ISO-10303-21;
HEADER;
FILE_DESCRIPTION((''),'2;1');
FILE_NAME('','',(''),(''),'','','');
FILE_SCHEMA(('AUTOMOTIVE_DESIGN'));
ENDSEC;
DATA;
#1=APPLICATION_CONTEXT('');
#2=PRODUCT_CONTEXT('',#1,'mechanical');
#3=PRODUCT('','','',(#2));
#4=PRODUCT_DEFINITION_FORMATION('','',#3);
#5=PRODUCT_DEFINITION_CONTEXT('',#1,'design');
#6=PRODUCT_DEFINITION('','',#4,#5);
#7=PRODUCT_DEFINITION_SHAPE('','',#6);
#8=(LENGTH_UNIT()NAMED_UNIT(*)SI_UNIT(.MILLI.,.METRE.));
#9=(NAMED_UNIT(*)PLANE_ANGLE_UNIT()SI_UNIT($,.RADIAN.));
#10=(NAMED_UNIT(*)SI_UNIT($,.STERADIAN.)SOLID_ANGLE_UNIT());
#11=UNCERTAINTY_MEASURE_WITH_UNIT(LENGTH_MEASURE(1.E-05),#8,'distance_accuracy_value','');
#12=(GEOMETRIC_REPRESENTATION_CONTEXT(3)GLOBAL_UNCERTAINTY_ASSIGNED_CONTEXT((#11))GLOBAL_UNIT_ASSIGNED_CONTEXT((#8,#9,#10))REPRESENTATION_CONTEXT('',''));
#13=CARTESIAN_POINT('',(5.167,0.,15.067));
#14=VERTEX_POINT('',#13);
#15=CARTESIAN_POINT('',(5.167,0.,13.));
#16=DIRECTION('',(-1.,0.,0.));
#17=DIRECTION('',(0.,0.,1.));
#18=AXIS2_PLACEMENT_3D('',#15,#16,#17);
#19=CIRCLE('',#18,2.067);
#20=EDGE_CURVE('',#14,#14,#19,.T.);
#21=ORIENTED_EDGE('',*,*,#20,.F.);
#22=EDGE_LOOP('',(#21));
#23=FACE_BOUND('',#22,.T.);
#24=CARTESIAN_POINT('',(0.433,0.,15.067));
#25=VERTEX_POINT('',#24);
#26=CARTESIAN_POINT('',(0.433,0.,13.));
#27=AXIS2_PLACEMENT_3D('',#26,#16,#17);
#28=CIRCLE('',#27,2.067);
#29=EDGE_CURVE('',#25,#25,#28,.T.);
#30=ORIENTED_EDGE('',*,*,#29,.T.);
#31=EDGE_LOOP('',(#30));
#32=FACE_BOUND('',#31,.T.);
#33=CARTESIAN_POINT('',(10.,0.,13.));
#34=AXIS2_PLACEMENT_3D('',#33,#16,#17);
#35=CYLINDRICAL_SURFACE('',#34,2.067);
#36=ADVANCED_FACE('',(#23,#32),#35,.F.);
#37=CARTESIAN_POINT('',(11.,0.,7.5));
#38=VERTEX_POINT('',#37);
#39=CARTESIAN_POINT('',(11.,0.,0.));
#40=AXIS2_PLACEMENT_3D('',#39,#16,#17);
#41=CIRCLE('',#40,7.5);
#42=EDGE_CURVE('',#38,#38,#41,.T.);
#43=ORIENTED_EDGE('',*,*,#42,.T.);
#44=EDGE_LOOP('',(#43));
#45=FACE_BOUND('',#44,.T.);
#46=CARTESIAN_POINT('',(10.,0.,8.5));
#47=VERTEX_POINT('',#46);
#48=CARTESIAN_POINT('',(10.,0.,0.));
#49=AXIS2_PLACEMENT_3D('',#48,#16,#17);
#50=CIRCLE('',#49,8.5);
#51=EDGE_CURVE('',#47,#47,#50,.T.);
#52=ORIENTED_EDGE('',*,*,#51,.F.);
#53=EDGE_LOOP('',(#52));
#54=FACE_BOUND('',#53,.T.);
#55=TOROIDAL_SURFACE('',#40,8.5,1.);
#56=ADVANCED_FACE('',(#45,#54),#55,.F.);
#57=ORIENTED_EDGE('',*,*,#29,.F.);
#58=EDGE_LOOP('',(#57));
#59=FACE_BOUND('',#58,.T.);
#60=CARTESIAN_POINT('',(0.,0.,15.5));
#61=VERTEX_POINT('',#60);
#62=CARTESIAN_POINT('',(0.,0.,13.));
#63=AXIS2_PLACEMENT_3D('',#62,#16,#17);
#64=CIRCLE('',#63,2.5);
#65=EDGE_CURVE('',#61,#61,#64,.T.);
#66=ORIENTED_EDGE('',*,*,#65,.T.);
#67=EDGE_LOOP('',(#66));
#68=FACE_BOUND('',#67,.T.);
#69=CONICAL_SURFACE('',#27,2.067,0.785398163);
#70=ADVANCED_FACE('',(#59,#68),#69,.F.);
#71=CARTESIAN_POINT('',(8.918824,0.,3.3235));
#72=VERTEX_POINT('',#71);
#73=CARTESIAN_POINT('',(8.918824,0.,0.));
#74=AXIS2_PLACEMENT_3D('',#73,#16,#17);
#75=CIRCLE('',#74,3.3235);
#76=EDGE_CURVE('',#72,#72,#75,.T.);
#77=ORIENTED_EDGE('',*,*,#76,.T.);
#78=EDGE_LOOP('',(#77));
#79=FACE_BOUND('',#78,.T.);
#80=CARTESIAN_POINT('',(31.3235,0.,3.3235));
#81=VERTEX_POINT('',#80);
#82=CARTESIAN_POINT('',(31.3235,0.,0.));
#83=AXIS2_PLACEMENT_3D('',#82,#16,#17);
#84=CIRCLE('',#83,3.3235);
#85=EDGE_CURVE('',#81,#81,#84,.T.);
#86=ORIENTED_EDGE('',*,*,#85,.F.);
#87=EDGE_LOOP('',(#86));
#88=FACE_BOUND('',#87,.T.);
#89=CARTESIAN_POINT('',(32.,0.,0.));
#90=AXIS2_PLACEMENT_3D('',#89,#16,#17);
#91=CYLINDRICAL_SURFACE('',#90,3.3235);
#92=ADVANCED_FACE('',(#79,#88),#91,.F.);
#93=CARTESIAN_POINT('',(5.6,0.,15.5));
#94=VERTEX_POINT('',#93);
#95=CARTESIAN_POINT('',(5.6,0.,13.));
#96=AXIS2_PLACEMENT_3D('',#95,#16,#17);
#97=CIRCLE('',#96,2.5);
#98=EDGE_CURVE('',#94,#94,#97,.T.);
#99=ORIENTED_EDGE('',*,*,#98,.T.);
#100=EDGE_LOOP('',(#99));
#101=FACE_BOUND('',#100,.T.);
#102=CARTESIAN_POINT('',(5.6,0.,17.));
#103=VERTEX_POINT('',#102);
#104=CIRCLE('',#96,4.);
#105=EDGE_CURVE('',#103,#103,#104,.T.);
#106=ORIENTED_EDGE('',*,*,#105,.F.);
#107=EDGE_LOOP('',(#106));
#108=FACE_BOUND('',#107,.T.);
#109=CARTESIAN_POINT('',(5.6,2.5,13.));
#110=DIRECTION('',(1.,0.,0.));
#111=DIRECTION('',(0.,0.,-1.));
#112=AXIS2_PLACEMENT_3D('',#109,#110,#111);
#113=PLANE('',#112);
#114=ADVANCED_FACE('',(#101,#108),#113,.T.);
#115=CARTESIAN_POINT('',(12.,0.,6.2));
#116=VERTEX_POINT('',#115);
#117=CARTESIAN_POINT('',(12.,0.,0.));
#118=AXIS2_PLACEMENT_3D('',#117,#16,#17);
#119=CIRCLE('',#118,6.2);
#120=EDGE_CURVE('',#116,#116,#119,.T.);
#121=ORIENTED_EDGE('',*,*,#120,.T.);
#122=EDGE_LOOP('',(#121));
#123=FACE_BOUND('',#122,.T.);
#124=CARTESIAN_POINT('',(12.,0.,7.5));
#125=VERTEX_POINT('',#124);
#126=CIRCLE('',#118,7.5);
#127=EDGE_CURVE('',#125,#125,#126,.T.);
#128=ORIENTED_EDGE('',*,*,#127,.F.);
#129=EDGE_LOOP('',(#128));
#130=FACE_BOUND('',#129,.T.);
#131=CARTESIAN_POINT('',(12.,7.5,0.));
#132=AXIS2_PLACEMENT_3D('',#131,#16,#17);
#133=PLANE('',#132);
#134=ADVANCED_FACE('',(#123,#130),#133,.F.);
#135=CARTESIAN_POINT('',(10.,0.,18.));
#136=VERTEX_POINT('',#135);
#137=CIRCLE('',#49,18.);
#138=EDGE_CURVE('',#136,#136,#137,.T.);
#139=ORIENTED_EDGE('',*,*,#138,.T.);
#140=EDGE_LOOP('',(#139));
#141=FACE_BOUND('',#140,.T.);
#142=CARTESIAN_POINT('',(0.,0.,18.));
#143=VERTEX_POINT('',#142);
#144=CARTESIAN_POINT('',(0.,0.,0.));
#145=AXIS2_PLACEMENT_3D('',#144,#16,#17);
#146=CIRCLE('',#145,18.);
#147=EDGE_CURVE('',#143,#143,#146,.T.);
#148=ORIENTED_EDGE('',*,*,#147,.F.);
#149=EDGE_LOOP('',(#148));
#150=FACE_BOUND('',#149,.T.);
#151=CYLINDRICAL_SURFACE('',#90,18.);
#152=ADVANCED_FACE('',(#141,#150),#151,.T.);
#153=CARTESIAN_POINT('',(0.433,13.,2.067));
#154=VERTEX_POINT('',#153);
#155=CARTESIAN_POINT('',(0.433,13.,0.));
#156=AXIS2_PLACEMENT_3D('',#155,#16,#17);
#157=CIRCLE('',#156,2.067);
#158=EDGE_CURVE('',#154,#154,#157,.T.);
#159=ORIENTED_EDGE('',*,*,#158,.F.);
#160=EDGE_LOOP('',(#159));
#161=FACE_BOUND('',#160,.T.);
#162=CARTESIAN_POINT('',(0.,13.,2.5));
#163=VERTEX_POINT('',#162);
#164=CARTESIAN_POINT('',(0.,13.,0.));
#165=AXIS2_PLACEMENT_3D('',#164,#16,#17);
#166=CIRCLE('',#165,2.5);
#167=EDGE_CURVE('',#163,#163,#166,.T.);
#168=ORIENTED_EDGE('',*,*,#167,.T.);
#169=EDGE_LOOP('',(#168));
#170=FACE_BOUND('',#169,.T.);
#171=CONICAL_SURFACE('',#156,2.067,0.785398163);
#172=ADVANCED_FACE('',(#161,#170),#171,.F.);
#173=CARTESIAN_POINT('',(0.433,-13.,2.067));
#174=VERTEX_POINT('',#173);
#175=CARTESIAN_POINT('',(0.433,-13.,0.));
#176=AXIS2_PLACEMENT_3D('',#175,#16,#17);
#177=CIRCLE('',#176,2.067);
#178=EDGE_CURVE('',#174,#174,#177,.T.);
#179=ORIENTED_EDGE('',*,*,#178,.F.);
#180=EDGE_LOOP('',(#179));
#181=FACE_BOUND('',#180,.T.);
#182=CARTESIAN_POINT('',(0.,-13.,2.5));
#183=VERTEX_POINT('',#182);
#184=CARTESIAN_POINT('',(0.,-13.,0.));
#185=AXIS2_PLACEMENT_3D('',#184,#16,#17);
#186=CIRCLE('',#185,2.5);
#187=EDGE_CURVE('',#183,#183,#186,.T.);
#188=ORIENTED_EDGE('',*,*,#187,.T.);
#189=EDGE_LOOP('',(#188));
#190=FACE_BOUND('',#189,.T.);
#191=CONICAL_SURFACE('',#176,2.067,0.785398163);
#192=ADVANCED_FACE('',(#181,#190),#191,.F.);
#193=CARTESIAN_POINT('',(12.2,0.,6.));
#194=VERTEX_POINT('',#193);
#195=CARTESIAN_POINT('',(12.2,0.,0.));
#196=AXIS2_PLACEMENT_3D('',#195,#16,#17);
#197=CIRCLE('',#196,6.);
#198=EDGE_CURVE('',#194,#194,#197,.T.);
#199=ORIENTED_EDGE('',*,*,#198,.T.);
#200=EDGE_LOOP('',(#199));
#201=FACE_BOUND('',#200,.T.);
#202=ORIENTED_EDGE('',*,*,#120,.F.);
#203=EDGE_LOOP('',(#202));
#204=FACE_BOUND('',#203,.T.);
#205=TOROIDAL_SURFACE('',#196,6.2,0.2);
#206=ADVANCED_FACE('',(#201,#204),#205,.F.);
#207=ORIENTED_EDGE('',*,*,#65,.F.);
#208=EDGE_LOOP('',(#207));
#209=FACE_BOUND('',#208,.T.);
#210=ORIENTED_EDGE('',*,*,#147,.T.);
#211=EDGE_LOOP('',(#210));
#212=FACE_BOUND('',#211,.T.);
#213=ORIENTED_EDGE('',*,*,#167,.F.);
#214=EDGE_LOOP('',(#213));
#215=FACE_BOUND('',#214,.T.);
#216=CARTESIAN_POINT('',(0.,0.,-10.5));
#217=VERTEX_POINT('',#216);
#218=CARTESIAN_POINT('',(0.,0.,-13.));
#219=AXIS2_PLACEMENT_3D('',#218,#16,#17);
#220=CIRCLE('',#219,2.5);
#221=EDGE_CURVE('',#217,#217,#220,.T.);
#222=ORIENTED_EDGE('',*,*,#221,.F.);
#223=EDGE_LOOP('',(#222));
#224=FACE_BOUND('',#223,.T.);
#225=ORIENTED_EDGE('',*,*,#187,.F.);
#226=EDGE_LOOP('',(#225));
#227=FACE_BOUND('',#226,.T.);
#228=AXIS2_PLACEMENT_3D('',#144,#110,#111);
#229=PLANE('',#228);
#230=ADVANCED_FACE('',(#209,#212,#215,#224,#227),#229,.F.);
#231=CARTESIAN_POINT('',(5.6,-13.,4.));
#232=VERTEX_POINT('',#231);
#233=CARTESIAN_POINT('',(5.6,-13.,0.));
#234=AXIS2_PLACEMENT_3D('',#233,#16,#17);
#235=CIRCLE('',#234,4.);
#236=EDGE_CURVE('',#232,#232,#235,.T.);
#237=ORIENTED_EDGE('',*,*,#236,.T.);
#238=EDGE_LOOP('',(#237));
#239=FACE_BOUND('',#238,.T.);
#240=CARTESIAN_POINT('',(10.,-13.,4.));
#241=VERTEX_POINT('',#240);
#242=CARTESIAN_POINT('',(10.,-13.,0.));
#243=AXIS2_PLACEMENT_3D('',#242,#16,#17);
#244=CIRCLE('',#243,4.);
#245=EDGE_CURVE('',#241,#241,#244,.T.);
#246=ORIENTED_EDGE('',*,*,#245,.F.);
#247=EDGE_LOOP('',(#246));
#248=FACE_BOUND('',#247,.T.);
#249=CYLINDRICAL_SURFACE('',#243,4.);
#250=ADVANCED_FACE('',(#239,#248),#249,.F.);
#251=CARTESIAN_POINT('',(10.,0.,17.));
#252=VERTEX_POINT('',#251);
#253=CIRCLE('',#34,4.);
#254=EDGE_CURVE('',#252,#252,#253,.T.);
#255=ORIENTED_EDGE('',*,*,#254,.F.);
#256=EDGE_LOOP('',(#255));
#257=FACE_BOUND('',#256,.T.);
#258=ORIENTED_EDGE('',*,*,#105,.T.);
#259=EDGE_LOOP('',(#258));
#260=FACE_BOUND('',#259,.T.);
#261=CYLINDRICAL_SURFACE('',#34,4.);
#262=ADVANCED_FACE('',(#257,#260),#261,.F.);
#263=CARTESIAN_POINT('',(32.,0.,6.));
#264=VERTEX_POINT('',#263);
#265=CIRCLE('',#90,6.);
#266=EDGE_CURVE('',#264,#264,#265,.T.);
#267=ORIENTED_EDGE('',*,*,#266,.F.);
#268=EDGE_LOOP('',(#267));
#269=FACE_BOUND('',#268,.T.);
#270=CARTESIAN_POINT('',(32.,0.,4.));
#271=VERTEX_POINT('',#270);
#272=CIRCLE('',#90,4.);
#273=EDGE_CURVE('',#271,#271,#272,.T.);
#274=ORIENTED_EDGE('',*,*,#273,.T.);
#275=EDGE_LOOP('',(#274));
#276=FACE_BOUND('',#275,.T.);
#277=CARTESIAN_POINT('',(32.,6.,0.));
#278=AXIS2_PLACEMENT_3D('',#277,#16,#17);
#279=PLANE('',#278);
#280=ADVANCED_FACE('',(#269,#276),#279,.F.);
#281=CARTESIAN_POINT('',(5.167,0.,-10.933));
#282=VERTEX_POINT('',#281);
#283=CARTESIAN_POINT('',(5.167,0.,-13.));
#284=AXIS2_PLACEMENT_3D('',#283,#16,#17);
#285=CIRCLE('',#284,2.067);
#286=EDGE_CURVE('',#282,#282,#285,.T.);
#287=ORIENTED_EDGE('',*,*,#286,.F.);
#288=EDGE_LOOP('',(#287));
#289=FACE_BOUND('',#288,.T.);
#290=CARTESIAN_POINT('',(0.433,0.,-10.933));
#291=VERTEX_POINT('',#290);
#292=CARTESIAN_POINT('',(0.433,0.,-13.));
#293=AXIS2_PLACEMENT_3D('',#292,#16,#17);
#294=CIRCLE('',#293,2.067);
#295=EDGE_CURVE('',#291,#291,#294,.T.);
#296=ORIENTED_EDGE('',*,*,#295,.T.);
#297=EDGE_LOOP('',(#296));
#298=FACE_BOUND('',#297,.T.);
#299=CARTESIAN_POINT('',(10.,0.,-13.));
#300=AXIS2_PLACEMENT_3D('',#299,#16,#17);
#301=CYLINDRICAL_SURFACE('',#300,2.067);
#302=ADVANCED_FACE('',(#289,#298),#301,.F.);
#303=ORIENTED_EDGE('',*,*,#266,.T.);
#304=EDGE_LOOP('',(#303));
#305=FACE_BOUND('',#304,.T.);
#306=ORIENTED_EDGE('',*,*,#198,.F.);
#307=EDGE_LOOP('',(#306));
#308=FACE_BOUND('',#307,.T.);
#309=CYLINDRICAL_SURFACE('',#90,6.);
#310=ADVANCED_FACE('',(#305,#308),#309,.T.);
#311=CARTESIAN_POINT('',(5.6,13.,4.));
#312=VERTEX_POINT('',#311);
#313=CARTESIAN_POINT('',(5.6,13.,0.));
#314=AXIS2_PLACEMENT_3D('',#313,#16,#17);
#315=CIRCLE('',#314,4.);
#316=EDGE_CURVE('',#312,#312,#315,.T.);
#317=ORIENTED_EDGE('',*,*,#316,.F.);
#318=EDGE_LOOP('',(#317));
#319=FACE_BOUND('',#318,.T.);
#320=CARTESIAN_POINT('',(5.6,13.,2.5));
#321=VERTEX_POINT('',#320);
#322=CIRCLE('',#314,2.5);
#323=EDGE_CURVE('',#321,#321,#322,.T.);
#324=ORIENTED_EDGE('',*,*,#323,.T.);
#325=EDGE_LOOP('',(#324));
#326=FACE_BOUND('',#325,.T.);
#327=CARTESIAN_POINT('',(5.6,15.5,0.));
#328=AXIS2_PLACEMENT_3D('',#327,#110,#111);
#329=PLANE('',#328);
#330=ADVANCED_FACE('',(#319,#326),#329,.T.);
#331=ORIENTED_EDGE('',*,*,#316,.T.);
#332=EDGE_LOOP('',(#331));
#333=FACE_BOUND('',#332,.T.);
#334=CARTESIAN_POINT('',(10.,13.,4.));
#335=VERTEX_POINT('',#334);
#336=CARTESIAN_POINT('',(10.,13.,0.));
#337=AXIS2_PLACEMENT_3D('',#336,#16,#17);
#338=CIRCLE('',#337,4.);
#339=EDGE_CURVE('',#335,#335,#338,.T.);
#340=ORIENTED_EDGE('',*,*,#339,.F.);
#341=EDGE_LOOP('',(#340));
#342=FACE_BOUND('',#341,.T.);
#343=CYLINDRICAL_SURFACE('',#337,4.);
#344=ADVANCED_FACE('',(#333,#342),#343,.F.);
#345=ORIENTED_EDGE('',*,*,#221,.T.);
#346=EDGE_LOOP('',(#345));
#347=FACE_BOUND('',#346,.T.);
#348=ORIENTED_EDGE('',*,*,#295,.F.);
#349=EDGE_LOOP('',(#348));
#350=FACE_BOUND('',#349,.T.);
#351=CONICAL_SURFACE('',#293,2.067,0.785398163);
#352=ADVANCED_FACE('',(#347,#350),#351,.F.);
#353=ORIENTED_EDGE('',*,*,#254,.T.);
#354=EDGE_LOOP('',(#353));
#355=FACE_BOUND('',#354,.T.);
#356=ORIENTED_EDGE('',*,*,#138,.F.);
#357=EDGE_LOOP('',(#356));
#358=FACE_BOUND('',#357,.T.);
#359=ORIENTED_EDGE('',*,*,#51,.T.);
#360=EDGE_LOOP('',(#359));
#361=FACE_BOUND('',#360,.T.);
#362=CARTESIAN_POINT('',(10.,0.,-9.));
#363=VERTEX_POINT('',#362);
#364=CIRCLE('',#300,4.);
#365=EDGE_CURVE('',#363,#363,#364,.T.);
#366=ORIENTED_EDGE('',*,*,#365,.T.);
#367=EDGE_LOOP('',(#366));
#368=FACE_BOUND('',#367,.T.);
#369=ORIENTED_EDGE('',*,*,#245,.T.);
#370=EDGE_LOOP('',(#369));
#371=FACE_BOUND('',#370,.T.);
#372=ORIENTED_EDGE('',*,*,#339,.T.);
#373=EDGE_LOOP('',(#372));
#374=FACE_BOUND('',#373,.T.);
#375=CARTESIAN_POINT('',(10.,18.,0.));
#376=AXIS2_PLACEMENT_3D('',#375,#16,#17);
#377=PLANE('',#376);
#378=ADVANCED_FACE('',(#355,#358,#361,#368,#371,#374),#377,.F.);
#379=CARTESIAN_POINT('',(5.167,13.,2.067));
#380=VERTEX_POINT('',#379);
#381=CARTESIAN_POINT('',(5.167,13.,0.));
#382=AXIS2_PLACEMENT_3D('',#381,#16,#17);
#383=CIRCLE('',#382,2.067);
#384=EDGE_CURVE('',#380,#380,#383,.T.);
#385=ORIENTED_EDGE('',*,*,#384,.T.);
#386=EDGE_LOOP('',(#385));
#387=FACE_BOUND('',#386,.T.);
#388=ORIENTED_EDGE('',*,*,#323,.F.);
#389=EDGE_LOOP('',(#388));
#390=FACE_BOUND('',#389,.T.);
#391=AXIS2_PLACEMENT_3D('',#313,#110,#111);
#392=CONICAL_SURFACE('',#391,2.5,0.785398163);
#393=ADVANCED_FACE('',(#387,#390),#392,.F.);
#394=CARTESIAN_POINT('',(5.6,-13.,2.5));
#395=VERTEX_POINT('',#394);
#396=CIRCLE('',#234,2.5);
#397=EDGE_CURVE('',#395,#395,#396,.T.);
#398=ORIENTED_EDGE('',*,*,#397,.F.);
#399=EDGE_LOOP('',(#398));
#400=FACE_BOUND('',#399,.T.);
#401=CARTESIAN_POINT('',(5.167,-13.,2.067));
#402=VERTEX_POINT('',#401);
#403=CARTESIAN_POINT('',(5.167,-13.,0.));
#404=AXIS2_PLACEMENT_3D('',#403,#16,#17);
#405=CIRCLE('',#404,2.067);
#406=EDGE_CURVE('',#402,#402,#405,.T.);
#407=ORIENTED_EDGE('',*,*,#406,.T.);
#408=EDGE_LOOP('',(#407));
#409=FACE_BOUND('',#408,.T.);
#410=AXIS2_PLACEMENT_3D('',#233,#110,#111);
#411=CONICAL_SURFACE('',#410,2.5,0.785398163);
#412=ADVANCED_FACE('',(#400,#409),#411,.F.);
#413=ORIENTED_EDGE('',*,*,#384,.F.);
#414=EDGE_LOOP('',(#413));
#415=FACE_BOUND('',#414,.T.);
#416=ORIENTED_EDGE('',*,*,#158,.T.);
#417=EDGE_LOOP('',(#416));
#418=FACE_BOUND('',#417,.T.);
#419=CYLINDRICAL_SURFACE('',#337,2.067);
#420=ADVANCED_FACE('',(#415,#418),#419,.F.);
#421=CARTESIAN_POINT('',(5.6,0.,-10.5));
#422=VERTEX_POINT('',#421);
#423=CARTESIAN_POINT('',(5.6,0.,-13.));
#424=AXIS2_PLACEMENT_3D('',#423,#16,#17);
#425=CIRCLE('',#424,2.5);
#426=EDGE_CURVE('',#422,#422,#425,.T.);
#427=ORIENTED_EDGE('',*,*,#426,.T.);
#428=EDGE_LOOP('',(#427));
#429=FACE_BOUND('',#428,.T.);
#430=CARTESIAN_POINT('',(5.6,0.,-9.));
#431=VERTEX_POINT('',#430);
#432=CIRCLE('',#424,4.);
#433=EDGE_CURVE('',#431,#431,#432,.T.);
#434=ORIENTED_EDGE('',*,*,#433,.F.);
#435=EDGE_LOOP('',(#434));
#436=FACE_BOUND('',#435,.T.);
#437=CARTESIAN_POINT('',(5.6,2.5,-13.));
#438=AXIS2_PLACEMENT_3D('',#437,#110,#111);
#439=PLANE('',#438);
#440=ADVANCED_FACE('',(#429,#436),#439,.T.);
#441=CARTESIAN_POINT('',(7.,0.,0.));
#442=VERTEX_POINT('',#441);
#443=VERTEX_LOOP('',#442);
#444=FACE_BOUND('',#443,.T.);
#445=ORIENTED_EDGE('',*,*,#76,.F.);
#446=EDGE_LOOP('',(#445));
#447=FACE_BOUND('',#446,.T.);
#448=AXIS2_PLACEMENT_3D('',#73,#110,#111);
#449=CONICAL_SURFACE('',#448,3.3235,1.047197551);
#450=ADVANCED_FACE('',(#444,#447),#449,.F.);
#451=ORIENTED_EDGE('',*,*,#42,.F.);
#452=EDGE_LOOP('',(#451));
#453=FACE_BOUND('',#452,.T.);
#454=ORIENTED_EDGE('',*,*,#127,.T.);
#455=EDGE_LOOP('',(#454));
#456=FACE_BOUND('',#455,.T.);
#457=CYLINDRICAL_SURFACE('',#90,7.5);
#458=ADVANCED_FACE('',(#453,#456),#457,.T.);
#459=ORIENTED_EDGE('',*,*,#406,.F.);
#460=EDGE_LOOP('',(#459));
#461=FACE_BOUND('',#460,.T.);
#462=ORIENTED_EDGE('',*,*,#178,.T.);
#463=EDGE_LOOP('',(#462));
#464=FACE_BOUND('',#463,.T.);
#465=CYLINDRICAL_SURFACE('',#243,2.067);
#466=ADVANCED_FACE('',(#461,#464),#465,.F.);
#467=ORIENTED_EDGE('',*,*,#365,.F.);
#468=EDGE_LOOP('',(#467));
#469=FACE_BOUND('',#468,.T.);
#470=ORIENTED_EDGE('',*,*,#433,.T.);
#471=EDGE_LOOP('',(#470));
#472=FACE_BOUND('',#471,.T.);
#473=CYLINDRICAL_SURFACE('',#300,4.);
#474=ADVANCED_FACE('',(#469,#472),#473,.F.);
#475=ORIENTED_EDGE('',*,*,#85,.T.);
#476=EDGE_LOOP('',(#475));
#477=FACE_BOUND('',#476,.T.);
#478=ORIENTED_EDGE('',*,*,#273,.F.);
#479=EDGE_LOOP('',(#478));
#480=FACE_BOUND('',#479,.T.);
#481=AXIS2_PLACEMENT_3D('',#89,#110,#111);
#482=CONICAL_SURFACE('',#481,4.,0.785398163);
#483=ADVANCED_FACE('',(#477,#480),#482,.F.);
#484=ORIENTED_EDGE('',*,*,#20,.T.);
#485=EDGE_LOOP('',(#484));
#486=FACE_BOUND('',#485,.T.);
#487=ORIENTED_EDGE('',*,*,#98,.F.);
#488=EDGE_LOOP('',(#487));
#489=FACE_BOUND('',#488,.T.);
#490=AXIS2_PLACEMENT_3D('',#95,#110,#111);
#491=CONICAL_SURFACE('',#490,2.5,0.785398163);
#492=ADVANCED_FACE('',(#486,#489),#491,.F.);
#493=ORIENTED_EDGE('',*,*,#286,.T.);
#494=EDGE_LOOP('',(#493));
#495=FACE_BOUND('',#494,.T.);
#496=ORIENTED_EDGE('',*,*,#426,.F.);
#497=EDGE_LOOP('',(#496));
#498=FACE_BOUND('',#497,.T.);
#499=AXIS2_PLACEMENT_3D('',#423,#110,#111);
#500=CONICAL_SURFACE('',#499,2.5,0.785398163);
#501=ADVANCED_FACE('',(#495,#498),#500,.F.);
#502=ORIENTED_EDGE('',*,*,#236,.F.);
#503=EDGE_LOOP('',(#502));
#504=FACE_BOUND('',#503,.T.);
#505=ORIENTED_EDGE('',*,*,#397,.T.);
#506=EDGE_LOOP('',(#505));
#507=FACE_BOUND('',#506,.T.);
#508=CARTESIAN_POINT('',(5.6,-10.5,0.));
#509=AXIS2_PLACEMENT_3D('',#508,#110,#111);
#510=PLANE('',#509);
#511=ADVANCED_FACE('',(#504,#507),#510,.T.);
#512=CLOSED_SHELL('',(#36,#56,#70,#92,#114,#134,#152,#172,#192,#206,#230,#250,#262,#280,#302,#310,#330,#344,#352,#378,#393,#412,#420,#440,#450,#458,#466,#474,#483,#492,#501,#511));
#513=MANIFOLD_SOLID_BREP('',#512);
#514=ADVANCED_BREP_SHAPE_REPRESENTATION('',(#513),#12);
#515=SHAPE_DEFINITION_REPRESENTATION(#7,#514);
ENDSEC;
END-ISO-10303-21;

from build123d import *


with BuildPart() as part:
    # Sketch1 → Revolve1 (revolve)
    with BuildSketch(Plane.XY, mode=Mode.PRIVATE) as revolve1_sk:
        with BuildLine():
            Line((0, 0), (0, 18))
            Line((0, 18), (10, 18))
            Line((10, 18), (10, 8.5))
            ThreePointArc((10, 8.5), (10.292893219, 7.792893219), (11, 7.5))
            Line((11, 7.5), (12, 7.5))
            Line((12, 7.5), (12, 6.2))
            ThreePointArc((12, 6.2), (12.058578644, 6.058578644), (12.2, 6))
            Line((12.2, 6), (32, 6))
            Line((32, 6), (32, 0))
            Line((32, 0), (0, 0))
        make_face()
    revolve(revolve1_sk.sketch.rotate(Axis((32, 0, 0), (-1, 0, 0)), 270), axis=Axis((32, 0, 0), (-1, 0, 0)))

    # Sketch2 → Cut-Revolve1 (revolve, cut)
    with BuildSketch(Plane.XY, mode=Mode.PRIVATE) as cut_revolve1_sk:
        Polygon((0, 13), (0, 15.5), (0.433, 15.067), (5.167, 15.067), (5.6, 15.5), (5.6, 17), (10, 17), (10, 13), align=None)
    revolve(cut_revolve1_sk.sketch.rotate(Axis((10, 13, 0), (-1, 0, 0)), 270), axis=Axis((10, 13, 0), (-1, 0, 0)), mode=Mode.SUBTRACT)

    # Sketch3 → Cut-Revolve2 (revolve, cut)
    with BuildSketch(Plane.XY.offset(13), mode=Mode.PRIVATE) as cut_revolve2_sk:
        Polygon((0, 0), (0, 2.5), (0.433, 2.067), (5.167, 2.067), (5.6, 2.5), (5.6, 4), (10, 4), (10, 0), align=None)
    revolve(cut_revolve2_sk.sketch.rotate(Axis((10, 0, 13), (-1, 0, 0)), 270), axis=Axis((10, 0, 13), (-1, 0, 0)), mode=Mode.SUBTRACT)

    # Sketch4 → Cut-Revolve3 (revolve, cut)
    with BuildSketch(Plane.XY, mode=Mode.PRIVATE) as cut_revolve3_sk:
        Polygon((0, -13), (0, -10.5), (0.433, -10.933), (5.167, -10.933), (5.6, -10.5), (5.6, -9), (10, -9), (10, -13), align=None)
    revolve(cut_revolve3_sk.sketch.rotate(Axis((10, -13, 0), (-1, 0, 0)), 270), axis=Axis((10, -13, 0), (-1, 0, 0)), mode=Mode.SUBTRACT)

    # Sketch5 → Cut-Revolve4 (revolve, cut)
    with BuildSketch(Plane.XY.offset(-13), mode=Mode.PRIVATE) as cut_revolve4_sk:
        Polygon((0, 0), (0, 2.5), (0.433, 2.067), (5.167, 2.067), (5.6, 2.5), (5.6, 4), (10, 4), (10, 0), align=None)
    revolve(cut_revolve4_sk.sketch.rotate(Axis((10, 0, -13), (-1, 0, 0)), 270), axis=Axis((10, 0, -13), (-1, 0, 0)), mode=Mode.SUBTRACT)

    # Sketch6 → Cut-Revolve5 (revolve, cut)
    with BuildSketch(Plane.XY, mode=Mode.PRIVATE) as cut_revolve5_sk:
        Polygon((7, 0), (8.91882362, 3.3235), (31.3235, 3.3235), (32, 4), (32, 0), align=None)
    revolve(cut_revolve5_sk.sketch.rotate(Axis((32, 0, 0), (-1, 0, 0)), 270), axis=Axis((32, 0, 0), (-1, 0, 0)), mode=Mode.SUBTRACT)


solid = part.part
